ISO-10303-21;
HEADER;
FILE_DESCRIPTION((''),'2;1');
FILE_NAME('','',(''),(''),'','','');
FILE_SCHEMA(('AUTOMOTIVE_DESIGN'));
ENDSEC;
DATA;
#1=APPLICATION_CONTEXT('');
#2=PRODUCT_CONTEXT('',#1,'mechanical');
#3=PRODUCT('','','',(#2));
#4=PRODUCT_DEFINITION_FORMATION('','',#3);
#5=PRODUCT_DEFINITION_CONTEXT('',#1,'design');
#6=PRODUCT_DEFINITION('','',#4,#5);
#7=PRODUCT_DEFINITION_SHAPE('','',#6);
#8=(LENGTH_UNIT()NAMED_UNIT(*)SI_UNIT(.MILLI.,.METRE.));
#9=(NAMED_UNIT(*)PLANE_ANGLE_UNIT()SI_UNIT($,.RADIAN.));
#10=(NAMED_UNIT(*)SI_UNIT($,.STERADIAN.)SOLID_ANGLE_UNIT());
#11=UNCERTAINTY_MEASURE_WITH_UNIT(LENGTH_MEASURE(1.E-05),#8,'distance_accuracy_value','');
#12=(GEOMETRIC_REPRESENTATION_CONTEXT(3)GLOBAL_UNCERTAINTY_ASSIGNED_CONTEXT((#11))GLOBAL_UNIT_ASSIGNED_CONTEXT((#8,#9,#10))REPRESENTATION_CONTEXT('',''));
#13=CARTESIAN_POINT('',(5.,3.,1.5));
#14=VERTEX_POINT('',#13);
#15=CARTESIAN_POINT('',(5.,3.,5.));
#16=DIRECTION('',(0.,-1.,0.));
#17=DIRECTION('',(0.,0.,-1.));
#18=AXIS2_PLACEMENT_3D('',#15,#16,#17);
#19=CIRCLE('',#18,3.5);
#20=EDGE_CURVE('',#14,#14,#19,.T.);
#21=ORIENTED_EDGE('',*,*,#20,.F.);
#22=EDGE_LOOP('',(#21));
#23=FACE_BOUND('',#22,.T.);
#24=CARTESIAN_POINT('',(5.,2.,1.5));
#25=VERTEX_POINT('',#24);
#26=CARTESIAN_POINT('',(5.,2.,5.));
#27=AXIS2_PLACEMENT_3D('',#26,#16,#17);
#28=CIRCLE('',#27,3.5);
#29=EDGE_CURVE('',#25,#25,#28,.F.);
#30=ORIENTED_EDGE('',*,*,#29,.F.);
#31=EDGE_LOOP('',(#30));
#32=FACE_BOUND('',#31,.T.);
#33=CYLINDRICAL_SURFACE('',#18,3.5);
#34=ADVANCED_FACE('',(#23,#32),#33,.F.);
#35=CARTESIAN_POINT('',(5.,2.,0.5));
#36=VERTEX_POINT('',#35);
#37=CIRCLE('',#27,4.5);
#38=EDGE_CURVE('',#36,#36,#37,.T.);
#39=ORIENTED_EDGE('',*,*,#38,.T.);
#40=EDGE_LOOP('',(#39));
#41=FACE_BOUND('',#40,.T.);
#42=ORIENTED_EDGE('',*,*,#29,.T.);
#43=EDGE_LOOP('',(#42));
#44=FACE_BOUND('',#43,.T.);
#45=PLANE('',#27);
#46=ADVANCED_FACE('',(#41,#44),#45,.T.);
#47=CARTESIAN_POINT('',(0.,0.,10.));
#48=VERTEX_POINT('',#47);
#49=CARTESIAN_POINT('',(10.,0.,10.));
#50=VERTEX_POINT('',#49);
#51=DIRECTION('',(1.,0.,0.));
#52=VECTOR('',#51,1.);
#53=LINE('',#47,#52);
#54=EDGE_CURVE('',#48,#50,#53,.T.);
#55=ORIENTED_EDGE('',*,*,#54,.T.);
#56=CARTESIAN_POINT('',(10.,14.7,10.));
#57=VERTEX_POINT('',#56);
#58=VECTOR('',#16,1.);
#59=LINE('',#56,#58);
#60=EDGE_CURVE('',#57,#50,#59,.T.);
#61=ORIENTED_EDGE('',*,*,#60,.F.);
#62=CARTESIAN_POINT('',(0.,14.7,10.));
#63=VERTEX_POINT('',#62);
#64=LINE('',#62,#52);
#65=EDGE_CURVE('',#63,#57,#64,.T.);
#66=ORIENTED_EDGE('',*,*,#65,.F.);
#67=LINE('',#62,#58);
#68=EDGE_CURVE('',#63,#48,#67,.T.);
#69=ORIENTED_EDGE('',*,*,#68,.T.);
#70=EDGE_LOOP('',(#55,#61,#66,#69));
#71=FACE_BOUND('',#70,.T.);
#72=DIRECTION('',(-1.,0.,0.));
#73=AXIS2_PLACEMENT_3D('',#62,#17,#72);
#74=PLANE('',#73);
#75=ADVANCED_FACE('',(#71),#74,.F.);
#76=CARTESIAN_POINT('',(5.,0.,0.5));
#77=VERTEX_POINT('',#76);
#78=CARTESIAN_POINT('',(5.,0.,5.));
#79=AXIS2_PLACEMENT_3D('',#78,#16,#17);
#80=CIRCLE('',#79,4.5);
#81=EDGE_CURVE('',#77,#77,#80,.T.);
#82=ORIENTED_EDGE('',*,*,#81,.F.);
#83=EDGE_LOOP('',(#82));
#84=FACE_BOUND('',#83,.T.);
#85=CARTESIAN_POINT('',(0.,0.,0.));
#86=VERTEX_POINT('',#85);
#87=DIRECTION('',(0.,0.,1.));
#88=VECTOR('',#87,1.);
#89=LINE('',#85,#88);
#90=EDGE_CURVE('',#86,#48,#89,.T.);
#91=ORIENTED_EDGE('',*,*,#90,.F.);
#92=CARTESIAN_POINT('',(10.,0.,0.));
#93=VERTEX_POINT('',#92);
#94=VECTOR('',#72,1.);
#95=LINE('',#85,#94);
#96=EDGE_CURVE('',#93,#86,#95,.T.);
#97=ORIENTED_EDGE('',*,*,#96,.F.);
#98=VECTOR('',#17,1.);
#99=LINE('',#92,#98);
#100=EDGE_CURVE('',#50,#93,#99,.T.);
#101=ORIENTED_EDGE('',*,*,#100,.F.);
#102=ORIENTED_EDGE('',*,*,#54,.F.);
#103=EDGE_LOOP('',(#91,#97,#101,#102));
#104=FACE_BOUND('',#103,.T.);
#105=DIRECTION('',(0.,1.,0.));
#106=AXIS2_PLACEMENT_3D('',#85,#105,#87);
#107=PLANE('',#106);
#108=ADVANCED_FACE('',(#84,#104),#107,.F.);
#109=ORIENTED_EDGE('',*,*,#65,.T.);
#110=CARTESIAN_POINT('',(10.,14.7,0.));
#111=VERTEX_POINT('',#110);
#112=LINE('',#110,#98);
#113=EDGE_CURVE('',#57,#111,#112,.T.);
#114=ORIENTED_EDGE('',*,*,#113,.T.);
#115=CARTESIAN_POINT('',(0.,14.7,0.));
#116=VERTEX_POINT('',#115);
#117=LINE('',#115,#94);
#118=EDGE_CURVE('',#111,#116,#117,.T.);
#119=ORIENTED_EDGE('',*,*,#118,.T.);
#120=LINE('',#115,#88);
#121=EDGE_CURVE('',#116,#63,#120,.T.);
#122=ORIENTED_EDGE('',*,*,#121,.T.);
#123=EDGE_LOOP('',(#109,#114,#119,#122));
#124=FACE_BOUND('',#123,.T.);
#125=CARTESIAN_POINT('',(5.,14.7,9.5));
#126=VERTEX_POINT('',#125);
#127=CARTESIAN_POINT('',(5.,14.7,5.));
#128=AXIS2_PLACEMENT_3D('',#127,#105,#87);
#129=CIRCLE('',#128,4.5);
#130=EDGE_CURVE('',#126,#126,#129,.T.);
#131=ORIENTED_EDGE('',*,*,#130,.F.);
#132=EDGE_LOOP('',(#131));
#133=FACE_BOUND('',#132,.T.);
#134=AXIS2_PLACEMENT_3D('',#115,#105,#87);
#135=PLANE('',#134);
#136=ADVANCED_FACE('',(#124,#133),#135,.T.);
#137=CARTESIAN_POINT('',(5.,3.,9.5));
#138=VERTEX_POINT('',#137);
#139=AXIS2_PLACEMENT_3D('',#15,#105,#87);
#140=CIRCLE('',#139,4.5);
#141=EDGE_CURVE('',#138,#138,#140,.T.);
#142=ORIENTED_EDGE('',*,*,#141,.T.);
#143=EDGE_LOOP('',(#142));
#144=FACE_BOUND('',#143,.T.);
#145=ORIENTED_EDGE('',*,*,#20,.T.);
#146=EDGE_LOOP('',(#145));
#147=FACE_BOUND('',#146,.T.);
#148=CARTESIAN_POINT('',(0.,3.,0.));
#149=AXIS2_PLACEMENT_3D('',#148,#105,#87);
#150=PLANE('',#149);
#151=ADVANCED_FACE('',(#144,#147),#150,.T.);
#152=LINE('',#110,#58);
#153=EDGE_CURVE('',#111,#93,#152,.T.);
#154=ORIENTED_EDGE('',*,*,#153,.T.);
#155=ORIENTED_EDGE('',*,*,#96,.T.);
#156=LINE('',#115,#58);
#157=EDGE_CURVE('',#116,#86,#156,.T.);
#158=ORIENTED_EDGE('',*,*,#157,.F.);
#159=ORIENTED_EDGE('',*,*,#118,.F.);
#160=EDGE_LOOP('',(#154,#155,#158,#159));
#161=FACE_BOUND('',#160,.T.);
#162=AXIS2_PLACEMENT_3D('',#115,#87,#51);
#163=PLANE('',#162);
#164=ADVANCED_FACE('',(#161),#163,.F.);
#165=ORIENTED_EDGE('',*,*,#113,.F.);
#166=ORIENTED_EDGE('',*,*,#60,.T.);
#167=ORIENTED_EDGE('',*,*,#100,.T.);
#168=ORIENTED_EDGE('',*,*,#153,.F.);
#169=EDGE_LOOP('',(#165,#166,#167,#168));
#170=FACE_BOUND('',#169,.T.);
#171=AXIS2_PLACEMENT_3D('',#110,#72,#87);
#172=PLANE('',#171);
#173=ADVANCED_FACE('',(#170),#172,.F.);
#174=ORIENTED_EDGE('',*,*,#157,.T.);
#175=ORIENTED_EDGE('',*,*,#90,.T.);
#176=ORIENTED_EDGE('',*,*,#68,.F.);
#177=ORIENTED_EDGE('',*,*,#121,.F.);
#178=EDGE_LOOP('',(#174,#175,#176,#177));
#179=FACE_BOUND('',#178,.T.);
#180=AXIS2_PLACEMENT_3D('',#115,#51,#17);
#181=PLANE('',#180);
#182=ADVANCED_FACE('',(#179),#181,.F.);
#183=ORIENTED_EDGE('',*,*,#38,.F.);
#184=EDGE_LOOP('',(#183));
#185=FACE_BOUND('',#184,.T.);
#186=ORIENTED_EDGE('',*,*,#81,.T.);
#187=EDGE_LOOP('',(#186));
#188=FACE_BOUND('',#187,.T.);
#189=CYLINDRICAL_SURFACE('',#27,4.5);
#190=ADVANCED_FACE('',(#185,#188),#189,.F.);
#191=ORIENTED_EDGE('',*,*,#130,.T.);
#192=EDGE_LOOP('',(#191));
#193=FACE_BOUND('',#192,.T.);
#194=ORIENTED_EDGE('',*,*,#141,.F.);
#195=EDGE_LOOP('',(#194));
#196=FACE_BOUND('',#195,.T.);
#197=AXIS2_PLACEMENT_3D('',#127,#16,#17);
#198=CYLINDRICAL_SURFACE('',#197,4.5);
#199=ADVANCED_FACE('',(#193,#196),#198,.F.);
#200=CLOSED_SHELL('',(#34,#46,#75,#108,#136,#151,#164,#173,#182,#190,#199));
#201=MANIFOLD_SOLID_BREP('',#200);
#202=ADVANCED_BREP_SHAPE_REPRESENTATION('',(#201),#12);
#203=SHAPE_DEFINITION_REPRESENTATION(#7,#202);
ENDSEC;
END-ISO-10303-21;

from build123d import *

# Parameters (mm, degrees)
SKETCH1_W           = 10
SKETCH1_H           = 10
SKETCH1_R           = 4.5
BOSS_EXTRUDE1_DEPTH = 14.7
SKETCH2_W           = 10
SKETCH2_H           = 10
SKETCH2_R           = 3.5
BOSS_EXTRUDE2_DEPTH = 3
SKETCH3_R           = 4.5
CUT_EXTRUDE1_DEPTH  = 2


with BuildPart() as part:
    # Sketch1 → Boss-Extrude1 (new body)
    with BuildSketch(Plane(origin=(0, 0, 0), x_dir=(1, 0, 0), z_dir=(0, 1, 0))):
        with Locations((5, -5)):
            Rectangle(SKETCH1_W, SKETCH1_H)
        with Locations((5, -5)):
            Circle(SKETCH1_R, mode=Mode.SUBTRACT)
    extrude(amount=BOSS_EXTRUDE1_DEPTH)

    # Sketch2 → Boss-Extrude2 (add)
    with BuildSketch(Plane(origin=(0, 0, 0), x_dir=(-1, 0, 0), z_dir=(0, -1, 0))):
        with Locations((-5, -5)):
            Rectangle(SKETCH2_W, SKETCH2_H)
        with Locations((-5, -5)):
            Circle(SKETCH2_R, mode=Mode.SUBTRACT)
    extrude(amount=-BOSS_EXTRUDE2_DEPTH)

    # Sketch3 → Cut-Extrude1 (cut)
    with BuildSketch(Plane(origin=(0, 0, 0), x_dir=(-1, 0, 0), z_dir=(0, -1, 0))):
        with Locations((-5, -5)):
            Circle(SKETCH3_R)
    extrude(amount=-CUT_EXTRUDE1_DEPTH, mode=Mode.SUBTRACT)


solid = part.part
